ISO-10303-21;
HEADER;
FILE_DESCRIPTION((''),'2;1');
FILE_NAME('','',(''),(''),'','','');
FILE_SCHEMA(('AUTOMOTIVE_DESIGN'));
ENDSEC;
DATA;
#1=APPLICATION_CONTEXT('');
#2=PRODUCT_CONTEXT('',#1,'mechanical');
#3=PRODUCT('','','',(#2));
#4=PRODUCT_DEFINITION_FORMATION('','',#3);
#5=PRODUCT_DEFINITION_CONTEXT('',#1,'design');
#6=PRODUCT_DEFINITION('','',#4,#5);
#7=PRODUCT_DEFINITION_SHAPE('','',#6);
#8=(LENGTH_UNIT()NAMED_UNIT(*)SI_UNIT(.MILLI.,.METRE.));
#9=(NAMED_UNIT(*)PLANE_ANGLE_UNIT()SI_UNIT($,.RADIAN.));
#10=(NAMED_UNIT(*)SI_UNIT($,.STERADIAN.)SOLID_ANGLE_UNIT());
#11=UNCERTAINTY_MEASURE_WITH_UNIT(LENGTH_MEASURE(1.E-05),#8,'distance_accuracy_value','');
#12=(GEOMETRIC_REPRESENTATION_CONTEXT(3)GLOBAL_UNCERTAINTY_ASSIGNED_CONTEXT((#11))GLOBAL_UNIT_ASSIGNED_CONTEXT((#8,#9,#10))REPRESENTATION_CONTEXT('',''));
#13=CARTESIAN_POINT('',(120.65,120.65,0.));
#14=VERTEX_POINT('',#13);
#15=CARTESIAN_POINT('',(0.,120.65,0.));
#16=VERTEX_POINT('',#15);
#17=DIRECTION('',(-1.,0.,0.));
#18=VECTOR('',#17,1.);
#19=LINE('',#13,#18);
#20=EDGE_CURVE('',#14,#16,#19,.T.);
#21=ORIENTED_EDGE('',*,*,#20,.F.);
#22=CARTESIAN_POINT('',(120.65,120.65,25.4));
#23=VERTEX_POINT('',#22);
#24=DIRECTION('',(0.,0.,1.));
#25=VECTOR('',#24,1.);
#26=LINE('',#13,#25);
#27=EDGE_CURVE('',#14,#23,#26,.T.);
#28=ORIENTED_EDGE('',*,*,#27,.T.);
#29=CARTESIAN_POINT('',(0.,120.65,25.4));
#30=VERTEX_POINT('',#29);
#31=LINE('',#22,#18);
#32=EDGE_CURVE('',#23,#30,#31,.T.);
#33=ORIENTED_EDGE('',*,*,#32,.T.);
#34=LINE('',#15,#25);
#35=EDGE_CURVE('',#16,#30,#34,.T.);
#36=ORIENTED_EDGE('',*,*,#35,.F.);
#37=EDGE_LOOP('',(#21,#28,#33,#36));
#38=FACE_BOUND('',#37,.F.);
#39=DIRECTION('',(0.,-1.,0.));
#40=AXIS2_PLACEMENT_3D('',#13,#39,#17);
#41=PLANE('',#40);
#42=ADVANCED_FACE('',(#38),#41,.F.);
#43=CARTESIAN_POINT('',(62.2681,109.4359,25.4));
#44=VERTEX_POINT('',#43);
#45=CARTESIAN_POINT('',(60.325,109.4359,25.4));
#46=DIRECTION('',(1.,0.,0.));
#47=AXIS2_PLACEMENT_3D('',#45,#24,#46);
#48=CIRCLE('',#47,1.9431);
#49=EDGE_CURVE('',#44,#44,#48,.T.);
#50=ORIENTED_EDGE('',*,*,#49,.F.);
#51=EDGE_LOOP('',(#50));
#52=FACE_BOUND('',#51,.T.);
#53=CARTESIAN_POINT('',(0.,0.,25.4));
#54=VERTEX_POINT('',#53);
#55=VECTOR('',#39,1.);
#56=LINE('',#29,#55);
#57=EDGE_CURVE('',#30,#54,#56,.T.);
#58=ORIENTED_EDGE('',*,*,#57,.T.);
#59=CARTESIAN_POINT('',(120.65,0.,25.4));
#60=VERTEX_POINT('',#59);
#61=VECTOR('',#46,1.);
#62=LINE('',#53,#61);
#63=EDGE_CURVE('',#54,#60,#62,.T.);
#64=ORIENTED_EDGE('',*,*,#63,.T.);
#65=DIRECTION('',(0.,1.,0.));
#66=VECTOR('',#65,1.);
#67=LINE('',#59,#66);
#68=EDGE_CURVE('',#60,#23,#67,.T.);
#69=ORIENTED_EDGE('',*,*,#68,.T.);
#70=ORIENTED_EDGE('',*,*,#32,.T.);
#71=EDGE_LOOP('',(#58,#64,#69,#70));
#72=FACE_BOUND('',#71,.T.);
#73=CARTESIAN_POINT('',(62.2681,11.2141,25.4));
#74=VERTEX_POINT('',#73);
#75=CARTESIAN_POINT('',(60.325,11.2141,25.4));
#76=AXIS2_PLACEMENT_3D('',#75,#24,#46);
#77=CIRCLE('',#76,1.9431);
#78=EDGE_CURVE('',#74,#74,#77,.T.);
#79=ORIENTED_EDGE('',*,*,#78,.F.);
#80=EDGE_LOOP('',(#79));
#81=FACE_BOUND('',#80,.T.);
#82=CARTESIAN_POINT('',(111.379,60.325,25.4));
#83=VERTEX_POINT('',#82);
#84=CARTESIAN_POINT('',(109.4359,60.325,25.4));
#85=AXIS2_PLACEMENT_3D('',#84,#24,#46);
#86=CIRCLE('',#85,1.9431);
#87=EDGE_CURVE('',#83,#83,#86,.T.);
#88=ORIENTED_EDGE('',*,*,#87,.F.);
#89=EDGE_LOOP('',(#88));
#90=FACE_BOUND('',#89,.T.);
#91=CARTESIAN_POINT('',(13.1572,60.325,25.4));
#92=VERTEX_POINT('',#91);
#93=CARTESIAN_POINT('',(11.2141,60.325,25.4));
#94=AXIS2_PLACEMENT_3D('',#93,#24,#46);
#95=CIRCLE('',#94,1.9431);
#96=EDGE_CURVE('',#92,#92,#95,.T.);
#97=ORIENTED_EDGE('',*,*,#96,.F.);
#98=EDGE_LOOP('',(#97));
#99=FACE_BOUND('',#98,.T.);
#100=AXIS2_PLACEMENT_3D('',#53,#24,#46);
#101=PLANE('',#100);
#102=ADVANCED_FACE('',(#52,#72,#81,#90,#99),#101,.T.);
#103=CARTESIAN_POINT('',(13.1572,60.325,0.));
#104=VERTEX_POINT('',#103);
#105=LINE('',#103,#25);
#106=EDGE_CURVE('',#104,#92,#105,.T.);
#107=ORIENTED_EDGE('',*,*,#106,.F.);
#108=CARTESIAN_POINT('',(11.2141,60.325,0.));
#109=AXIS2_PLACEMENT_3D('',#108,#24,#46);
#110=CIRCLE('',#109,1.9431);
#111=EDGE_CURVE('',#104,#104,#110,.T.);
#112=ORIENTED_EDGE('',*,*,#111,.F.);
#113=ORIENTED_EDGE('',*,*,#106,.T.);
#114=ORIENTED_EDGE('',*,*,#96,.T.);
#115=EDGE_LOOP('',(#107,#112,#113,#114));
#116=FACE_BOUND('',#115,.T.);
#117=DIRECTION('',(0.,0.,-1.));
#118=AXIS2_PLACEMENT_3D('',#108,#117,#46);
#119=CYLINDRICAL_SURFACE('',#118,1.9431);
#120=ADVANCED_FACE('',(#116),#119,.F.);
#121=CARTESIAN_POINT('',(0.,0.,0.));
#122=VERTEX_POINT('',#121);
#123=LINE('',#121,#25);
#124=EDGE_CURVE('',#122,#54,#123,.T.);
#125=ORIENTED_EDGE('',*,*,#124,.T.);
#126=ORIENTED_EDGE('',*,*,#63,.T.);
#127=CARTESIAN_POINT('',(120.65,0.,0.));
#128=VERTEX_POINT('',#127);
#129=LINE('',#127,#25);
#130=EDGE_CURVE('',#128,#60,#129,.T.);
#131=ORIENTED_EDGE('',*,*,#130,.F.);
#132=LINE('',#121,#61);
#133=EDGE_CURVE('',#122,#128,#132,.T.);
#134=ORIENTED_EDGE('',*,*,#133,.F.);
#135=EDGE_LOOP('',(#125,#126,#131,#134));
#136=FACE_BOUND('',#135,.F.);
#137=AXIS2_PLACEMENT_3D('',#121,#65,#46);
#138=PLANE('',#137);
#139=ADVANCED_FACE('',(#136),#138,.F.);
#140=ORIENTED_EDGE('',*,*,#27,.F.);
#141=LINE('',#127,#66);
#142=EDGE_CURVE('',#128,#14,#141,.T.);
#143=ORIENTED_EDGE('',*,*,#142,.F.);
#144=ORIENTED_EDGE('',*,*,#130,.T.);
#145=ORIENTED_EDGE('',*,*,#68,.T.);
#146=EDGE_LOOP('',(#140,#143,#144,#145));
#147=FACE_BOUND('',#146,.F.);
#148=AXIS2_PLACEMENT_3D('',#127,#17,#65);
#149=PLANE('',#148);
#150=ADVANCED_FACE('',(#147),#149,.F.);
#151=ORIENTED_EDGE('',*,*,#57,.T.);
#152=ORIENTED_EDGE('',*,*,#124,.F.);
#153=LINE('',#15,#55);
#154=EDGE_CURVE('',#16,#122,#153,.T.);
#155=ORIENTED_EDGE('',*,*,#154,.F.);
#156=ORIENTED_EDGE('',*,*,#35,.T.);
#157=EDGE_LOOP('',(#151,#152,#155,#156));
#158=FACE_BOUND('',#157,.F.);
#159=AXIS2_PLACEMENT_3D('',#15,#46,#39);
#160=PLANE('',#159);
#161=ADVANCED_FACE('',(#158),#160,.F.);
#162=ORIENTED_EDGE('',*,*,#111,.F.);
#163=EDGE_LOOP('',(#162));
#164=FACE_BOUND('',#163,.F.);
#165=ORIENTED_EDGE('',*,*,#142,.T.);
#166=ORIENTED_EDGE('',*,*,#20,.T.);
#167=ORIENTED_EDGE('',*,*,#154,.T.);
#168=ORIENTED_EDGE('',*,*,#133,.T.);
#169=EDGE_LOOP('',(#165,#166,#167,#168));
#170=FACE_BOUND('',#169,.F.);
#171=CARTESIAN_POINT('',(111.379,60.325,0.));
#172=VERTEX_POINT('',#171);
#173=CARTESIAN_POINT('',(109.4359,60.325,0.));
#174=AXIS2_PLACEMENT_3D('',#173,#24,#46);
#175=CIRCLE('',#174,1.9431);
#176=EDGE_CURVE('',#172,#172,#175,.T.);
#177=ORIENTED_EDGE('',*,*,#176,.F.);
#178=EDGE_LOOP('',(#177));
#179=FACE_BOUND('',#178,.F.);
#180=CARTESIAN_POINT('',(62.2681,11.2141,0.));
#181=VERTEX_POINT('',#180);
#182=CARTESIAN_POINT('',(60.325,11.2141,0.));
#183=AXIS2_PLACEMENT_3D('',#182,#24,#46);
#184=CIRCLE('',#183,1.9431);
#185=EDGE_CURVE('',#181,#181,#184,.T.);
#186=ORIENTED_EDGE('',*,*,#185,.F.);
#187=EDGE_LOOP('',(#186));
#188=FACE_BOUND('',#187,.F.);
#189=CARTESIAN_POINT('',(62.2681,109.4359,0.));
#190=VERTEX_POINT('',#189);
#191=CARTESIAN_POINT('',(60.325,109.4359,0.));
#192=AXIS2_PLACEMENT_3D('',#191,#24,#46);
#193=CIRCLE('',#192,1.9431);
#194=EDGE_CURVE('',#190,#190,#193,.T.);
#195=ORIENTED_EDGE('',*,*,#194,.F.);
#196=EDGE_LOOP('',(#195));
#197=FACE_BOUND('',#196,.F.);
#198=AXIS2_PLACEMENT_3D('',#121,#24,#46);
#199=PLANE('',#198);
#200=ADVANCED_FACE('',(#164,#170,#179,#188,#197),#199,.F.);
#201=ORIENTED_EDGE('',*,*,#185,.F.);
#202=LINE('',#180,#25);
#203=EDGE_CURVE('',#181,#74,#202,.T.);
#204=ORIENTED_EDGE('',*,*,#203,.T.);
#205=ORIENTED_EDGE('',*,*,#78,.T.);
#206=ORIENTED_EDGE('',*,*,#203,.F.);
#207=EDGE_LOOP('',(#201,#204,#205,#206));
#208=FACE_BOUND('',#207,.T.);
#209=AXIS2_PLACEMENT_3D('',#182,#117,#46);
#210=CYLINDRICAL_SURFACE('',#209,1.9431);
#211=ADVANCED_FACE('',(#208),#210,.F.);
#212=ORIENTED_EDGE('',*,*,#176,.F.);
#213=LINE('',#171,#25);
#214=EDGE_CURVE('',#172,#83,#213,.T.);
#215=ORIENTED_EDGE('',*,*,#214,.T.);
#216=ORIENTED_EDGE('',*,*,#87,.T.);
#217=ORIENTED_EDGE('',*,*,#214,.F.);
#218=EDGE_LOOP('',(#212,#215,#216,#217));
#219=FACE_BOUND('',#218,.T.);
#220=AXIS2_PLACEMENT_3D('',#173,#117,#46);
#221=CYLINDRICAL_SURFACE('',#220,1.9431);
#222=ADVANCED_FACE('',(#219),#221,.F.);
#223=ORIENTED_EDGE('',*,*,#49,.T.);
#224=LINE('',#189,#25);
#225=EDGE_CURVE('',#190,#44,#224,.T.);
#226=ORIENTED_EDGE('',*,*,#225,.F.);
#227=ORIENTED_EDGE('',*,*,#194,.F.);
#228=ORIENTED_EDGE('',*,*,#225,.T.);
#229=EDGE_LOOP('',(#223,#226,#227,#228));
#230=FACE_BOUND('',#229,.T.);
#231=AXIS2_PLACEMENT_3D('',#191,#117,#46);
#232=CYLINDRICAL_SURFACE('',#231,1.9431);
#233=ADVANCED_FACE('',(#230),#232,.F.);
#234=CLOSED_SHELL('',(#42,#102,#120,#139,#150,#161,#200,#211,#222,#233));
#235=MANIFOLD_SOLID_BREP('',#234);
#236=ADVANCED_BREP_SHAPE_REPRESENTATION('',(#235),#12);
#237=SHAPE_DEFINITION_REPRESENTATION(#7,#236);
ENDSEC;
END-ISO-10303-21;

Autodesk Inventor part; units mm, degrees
ref_plane "YZ Plane" through (0, 0, 0) normal (1, 0, 0) x (0, 1, 0)
ref_plane "XZ Plane" through (0, 0, 0) normal (0, 1, 0) x (-1, 0, 0)
ref_plane "XY Plane" through (0, 0, 0) normal (0, 0, 1) x (1, 0, 0)
sketch "Sketch1" plane through (0, 0, 0) normal (0, 0, 1) x (1, 0, 0)
  line L0 (0, 0) -> (120.65, 0)
  line L1 (120.65, 0) -> (120.65, 120.65)
  line L2 (120.65, 120.65) -> (0, 120.65)
  line L3 (0, 120.65) -> (0, 0)
  circle A0 centre (11.2141, 60.325) radius 1.9431
  circle A1 centre (60.325, 11.2141) radius 1.9431
  circle A2 centre (109.4359, 60.325) radius 1.9431
  circle A3 centre (60.325, 109.4359) radius 1.9431
  point P0 (60.325, 60.325)
  dimension "d2" = 120.65
  dimension "d3" = 120.65
  dimension "d10" = 3.8862
  dimension "d13" = 360
extrude "Extrusion3" add sketch "Sketch1" along normal blind 25.4
properties part number "speakerfront"
